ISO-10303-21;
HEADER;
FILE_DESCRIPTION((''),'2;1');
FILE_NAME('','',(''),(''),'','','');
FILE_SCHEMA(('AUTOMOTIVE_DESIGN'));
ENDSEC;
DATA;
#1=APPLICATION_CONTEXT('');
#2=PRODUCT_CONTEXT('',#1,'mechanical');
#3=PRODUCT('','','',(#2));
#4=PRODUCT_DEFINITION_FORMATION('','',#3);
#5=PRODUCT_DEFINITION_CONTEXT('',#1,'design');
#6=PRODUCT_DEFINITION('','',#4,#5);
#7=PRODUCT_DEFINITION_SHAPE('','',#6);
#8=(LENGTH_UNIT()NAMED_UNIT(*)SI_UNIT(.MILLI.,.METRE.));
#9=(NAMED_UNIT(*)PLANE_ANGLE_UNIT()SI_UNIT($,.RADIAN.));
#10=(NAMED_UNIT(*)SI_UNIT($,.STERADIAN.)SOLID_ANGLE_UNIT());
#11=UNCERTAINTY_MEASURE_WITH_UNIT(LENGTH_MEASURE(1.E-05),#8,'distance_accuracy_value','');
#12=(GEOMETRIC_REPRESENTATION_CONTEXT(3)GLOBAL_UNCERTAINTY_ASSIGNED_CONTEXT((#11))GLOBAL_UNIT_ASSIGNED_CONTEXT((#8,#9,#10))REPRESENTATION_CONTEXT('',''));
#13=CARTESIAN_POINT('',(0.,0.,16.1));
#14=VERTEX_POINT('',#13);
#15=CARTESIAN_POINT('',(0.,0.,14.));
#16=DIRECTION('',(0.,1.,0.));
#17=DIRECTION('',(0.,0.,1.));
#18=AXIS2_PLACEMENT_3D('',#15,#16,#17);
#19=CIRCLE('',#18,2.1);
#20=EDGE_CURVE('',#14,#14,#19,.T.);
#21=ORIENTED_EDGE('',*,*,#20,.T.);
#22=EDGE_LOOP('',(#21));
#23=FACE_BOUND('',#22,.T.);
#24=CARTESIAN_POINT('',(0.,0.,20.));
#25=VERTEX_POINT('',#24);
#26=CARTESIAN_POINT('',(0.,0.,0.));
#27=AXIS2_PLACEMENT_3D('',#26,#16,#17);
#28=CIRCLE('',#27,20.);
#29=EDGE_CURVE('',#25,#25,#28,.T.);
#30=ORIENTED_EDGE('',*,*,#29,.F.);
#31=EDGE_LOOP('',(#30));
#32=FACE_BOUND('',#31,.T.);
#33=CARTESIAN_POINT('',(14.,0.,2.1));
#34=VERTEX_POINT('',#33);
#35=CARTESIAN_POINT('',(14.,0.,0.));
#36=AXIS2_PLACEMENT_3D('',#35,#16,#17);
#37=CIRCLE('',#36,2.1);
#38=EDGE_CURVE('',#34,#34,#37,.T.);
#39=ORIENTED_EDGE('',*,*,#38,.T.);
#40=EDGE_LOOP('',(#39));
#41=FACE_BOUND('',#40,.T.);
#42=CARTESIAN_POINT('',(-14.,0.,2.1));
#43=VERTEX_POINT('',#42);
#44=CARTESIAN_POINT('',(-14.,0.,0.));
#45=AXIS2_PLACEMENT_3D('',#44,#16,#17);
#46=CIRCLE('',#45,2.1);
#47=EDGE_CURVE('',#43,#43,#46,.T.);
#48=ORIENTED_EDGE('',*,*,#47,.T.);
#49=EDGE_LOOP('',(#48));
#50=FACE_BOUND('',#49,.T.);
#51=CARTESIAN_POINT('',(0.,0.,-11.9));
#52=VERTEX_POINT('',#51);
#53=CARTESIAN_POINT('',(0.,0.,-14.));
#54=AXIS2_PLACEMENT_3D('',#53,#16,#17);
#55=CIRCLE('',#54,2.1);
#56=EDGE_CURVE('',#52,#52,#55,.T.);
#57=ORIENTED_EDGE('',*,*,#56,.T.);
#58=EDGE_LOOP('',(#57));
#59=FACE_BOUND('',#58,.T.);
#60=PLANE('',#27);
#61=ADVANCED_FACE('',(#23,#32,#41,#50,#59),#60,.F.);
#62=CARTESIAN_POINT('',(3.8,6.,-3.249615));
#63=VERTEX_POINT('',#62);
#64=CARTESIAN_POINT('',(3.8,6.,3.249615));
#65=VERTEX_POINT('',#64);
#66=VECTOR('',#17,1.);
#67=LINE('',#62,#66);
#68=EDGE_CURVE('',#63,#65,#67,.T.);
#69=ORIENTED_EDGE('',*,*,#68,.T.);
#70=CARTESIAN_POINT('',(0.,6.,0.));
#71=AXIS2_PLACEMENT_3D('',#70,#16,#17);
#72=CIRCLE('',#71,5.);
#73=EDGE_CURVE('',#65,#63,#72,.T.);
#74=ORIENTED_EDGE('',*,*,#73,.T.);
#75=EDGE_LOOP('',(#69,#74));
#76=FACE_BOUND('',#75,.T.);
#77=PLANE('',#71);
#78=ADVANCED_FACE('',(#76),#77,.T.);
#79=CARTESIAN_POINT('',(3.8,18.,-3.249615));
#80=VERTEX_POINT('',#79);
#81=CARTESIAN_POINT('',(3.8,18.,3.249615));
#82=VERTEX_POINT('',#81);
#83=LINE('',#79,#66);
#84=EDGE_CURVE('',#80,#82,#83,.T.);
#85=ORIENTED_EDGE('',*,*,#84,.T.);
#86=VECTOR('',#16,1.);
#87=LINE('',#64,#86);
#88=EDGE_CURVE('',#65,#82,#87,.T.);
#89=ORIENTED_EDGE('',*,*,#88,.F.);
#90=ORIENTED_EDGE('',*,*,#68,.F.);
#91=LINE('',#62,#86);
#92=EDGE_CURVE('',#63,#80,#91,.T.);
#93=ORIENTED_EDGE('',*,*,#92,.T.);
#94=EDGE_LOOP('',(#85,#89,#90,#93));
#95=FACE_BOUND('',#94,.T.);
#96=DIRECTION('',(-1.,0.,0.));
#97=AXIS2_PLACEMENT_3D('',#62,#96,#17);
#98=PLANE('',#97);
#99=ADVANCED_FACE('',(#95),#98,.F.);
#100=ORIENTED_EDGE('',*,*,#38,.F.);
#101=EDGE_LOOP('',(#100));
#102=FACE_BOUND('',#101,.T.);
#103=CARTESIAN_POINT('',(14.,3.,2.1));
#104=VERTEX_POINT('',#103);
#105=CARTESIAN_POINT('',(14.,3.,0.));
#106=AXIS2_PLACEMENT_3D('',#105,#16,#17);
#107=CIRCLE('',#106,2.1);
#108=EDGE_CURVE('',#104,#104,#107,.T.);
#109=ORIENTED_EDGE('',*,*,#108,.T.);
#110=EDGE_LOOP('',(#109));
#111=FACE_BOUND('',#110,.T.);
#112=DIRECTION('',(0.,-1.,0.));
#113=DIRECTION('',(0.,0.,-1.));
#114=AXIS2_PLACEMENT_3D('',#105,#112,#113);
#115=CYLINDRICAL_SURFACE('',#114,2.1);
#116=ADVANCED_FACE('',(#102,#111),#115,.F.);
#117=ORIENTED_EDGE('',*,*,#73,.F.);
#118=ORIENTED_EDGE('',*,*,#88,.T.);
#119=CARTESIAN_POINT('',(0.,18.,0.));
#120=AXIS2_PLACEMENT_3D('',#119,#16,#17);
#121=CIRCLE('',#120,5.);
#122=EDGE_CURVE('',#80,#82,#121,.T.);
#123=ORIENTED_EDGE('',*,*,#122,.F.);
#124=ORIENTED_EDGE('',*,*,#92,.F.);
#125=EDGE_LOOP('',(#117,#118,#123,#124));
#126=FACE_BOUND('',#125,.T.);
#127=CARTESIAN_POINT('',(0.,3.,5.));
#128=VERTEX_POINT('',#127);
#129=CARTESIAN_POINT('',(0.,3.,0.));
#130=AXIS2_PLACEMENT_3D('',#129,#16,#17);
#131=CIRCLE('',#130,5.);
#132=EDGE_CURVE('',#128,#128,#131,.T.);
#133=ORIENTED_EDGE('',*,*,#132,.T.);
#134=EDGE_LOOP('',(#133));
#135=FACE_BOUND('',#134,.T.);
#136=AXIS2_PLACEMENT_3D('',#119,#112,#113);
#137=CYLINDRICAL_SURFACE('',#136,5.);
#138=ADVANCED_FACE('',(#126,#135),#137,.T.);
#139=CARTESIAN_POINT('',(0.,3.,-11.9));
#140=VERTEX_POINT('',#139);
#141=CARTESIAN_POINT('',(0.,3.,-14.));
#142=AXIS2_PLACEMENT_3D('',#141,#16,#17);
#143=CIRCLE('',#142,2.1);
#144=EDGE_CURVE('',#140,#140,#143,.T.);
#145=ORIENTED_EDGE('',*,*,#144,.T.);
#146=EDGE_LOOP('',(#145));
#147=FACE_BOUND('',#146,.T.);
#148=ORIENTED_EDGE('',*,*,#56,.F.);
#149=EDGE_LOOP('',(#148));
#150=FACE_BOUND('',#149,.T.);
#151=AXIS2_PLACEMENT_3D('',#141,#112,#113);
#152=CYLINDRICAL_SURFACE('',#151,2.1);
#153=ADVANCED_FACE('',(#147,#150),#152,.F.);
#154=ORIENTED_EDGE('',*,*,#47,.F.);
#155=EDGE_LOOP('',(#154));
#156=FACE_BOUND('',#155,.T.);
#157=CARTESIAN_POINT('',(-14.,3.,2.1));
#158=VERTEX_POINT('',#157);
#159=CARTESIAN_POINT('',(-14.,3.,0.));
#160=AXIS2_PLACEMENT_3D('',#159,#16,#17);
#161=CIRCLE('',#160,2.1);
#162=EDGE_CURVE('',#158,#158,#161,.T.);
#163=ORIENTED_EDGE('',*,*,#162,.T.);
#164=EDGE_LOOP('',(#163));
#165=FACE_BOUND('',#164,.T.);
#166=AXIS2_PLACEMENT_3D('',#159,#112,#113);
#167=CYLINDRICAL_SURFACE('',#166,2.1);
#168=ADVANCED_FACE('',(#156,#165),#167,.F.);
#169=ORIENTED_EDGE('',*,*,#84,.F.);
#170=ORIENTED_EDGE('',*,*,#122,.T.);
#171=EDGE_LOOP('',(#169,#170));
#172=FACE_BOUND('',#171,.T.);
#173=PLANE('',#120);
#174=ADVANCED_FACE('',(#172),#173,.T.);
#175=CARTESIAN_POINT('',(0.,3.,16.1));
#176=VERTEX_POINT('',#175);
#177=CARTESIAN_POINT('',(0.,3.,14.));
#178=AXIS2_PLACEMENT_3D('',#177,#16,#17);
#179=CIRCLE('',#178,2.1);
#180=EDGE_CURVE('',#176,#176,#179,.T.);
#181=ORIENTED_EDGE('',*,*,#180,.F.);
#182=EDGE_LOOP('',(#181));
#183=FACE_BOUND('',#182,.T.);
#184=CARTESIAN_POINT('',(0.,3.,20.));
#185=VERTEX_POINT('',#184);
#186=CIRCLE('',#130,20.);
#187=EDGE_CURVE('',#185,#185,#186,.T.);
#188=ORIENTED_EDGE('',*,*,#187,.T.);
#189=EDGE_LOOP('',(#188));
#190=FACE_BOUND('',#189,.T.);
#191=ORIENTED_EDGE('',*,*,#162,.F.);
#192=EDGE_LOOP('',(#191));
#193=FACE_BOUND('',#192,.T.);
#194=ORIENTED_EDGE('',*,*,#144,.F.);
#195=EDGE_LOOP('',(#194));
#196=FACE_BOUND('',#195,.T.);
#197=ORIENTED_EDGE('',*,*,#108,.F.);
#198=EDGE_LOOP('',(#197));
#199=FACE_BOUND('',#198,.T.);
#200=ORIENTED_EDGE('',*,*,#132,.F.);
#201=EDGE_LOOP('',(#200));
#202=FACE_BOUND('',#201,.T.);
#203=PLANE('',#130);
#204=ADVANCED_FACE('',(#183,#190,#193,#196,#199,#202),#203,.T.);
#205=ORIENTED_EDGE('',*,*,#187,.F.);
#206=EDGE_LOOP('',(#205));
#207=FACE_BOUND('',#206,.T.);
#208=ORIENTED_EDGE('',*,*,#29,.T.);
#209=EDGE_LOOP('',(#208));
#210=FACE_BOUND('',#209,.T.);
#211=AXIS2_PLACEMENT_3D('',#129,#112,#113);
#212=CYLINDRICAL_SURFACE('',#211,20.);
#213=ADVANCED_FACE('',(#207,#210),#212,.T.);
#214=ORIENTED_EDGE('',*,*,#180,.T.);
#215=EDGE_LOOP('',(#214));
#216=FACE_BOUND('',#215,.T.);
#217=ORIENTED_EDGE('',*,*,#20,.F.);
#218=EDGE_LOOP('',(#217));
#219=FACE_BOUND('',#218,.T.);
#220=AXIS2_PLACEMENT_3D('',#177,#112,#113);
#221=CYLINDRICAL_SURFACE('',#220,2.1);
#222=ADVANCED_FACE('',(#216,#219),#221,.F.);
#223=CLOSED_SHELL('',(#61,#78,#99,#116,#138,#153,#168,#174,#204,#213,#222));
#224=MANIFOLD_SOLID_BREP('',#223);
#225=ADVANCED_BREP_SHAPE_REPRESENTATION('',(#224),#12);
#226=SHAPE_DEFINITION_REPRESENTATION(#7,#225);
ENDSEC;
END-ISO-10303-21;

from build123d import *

# Parameters (mm, degrees)
SKETCH1_R           = 20
SKETCH1_R_2         = 2.1
BOSS_EXTRUDE1_DEPTH = 3
SKETCH2_R           = 5
BOSS_EXTRUDE2_DEPTH = 15
CUT_EXTRUDE1_START  = -12
CUT_EXTRUDE1_DEPTH  = 12


with BuildPart() as part:
    # Sketch1 → Boss-Extrude1 (new body)
    with BuildSketch(Plane(origin=(0, 0, 0), x_dir=(1, 0, 0), z_dir=(0, 1, 0))):
        with Locations(Location((0, 0, 0), (0, 0, 270))):
            Circle(SKETCH1_R)
        with Locations(Location((-14, 0, 0), (0, 0, 270))):
            Circle(SKETCH1_R_2, mode=Mode.SUBTRACT)
        with Locations(Location((0, 14, 0), (0, 0, 270))):
            Circle(SKETCH1_R_2, mode=Mode.SUBTRACT)
        with Locations(Location((14, 0, 0), (0, 0, 270))):
            Circle(SKETCH1_R_2, mode=Mode.SUBTRACT)
        with Locations(Location((0, -14, 0), (0, 0, 270))):
            Circle(SKETCH1_R_2, mode=Mode.SUBTRACT)
    extrude(amount=BOSS_EXTRUDE1_DEPTH)

    # Sketch2 → Boss-Extrude2 (add)
    with BuildSketch(Plane(origin=(0, 3, 0), x_dir=(1, 0, 0), z_dir=(0, 1, 0))):
        with Locations(Location((0, 0, 0), (0, 0, 270))):
            Circle(SKETCH2_R)
    extrude(amount=BOSS_EXTRUDE2_DEPTH)

    # Sketch3 → Cut-Extrude1 (cut)
    with BuildSketch(Plane(origin=(0, 18, 0), x_dir=(1, 0, 0), z_dir=(0, 1, 0)).offset(CUT_EXTRUDE1_START)):
        with BuildLine():
            Line((3.8, 3.249615362), (3.8, -3.249615362))
            ThreePointArc((3.8, -3.249615362), (5, 0), (3.8, 3.249615362))
        make_face()
    extrude(amount=CUT_EXTRUDE1_DEPTH, mode=Mode.SUBTRACT)


solid = part.part
